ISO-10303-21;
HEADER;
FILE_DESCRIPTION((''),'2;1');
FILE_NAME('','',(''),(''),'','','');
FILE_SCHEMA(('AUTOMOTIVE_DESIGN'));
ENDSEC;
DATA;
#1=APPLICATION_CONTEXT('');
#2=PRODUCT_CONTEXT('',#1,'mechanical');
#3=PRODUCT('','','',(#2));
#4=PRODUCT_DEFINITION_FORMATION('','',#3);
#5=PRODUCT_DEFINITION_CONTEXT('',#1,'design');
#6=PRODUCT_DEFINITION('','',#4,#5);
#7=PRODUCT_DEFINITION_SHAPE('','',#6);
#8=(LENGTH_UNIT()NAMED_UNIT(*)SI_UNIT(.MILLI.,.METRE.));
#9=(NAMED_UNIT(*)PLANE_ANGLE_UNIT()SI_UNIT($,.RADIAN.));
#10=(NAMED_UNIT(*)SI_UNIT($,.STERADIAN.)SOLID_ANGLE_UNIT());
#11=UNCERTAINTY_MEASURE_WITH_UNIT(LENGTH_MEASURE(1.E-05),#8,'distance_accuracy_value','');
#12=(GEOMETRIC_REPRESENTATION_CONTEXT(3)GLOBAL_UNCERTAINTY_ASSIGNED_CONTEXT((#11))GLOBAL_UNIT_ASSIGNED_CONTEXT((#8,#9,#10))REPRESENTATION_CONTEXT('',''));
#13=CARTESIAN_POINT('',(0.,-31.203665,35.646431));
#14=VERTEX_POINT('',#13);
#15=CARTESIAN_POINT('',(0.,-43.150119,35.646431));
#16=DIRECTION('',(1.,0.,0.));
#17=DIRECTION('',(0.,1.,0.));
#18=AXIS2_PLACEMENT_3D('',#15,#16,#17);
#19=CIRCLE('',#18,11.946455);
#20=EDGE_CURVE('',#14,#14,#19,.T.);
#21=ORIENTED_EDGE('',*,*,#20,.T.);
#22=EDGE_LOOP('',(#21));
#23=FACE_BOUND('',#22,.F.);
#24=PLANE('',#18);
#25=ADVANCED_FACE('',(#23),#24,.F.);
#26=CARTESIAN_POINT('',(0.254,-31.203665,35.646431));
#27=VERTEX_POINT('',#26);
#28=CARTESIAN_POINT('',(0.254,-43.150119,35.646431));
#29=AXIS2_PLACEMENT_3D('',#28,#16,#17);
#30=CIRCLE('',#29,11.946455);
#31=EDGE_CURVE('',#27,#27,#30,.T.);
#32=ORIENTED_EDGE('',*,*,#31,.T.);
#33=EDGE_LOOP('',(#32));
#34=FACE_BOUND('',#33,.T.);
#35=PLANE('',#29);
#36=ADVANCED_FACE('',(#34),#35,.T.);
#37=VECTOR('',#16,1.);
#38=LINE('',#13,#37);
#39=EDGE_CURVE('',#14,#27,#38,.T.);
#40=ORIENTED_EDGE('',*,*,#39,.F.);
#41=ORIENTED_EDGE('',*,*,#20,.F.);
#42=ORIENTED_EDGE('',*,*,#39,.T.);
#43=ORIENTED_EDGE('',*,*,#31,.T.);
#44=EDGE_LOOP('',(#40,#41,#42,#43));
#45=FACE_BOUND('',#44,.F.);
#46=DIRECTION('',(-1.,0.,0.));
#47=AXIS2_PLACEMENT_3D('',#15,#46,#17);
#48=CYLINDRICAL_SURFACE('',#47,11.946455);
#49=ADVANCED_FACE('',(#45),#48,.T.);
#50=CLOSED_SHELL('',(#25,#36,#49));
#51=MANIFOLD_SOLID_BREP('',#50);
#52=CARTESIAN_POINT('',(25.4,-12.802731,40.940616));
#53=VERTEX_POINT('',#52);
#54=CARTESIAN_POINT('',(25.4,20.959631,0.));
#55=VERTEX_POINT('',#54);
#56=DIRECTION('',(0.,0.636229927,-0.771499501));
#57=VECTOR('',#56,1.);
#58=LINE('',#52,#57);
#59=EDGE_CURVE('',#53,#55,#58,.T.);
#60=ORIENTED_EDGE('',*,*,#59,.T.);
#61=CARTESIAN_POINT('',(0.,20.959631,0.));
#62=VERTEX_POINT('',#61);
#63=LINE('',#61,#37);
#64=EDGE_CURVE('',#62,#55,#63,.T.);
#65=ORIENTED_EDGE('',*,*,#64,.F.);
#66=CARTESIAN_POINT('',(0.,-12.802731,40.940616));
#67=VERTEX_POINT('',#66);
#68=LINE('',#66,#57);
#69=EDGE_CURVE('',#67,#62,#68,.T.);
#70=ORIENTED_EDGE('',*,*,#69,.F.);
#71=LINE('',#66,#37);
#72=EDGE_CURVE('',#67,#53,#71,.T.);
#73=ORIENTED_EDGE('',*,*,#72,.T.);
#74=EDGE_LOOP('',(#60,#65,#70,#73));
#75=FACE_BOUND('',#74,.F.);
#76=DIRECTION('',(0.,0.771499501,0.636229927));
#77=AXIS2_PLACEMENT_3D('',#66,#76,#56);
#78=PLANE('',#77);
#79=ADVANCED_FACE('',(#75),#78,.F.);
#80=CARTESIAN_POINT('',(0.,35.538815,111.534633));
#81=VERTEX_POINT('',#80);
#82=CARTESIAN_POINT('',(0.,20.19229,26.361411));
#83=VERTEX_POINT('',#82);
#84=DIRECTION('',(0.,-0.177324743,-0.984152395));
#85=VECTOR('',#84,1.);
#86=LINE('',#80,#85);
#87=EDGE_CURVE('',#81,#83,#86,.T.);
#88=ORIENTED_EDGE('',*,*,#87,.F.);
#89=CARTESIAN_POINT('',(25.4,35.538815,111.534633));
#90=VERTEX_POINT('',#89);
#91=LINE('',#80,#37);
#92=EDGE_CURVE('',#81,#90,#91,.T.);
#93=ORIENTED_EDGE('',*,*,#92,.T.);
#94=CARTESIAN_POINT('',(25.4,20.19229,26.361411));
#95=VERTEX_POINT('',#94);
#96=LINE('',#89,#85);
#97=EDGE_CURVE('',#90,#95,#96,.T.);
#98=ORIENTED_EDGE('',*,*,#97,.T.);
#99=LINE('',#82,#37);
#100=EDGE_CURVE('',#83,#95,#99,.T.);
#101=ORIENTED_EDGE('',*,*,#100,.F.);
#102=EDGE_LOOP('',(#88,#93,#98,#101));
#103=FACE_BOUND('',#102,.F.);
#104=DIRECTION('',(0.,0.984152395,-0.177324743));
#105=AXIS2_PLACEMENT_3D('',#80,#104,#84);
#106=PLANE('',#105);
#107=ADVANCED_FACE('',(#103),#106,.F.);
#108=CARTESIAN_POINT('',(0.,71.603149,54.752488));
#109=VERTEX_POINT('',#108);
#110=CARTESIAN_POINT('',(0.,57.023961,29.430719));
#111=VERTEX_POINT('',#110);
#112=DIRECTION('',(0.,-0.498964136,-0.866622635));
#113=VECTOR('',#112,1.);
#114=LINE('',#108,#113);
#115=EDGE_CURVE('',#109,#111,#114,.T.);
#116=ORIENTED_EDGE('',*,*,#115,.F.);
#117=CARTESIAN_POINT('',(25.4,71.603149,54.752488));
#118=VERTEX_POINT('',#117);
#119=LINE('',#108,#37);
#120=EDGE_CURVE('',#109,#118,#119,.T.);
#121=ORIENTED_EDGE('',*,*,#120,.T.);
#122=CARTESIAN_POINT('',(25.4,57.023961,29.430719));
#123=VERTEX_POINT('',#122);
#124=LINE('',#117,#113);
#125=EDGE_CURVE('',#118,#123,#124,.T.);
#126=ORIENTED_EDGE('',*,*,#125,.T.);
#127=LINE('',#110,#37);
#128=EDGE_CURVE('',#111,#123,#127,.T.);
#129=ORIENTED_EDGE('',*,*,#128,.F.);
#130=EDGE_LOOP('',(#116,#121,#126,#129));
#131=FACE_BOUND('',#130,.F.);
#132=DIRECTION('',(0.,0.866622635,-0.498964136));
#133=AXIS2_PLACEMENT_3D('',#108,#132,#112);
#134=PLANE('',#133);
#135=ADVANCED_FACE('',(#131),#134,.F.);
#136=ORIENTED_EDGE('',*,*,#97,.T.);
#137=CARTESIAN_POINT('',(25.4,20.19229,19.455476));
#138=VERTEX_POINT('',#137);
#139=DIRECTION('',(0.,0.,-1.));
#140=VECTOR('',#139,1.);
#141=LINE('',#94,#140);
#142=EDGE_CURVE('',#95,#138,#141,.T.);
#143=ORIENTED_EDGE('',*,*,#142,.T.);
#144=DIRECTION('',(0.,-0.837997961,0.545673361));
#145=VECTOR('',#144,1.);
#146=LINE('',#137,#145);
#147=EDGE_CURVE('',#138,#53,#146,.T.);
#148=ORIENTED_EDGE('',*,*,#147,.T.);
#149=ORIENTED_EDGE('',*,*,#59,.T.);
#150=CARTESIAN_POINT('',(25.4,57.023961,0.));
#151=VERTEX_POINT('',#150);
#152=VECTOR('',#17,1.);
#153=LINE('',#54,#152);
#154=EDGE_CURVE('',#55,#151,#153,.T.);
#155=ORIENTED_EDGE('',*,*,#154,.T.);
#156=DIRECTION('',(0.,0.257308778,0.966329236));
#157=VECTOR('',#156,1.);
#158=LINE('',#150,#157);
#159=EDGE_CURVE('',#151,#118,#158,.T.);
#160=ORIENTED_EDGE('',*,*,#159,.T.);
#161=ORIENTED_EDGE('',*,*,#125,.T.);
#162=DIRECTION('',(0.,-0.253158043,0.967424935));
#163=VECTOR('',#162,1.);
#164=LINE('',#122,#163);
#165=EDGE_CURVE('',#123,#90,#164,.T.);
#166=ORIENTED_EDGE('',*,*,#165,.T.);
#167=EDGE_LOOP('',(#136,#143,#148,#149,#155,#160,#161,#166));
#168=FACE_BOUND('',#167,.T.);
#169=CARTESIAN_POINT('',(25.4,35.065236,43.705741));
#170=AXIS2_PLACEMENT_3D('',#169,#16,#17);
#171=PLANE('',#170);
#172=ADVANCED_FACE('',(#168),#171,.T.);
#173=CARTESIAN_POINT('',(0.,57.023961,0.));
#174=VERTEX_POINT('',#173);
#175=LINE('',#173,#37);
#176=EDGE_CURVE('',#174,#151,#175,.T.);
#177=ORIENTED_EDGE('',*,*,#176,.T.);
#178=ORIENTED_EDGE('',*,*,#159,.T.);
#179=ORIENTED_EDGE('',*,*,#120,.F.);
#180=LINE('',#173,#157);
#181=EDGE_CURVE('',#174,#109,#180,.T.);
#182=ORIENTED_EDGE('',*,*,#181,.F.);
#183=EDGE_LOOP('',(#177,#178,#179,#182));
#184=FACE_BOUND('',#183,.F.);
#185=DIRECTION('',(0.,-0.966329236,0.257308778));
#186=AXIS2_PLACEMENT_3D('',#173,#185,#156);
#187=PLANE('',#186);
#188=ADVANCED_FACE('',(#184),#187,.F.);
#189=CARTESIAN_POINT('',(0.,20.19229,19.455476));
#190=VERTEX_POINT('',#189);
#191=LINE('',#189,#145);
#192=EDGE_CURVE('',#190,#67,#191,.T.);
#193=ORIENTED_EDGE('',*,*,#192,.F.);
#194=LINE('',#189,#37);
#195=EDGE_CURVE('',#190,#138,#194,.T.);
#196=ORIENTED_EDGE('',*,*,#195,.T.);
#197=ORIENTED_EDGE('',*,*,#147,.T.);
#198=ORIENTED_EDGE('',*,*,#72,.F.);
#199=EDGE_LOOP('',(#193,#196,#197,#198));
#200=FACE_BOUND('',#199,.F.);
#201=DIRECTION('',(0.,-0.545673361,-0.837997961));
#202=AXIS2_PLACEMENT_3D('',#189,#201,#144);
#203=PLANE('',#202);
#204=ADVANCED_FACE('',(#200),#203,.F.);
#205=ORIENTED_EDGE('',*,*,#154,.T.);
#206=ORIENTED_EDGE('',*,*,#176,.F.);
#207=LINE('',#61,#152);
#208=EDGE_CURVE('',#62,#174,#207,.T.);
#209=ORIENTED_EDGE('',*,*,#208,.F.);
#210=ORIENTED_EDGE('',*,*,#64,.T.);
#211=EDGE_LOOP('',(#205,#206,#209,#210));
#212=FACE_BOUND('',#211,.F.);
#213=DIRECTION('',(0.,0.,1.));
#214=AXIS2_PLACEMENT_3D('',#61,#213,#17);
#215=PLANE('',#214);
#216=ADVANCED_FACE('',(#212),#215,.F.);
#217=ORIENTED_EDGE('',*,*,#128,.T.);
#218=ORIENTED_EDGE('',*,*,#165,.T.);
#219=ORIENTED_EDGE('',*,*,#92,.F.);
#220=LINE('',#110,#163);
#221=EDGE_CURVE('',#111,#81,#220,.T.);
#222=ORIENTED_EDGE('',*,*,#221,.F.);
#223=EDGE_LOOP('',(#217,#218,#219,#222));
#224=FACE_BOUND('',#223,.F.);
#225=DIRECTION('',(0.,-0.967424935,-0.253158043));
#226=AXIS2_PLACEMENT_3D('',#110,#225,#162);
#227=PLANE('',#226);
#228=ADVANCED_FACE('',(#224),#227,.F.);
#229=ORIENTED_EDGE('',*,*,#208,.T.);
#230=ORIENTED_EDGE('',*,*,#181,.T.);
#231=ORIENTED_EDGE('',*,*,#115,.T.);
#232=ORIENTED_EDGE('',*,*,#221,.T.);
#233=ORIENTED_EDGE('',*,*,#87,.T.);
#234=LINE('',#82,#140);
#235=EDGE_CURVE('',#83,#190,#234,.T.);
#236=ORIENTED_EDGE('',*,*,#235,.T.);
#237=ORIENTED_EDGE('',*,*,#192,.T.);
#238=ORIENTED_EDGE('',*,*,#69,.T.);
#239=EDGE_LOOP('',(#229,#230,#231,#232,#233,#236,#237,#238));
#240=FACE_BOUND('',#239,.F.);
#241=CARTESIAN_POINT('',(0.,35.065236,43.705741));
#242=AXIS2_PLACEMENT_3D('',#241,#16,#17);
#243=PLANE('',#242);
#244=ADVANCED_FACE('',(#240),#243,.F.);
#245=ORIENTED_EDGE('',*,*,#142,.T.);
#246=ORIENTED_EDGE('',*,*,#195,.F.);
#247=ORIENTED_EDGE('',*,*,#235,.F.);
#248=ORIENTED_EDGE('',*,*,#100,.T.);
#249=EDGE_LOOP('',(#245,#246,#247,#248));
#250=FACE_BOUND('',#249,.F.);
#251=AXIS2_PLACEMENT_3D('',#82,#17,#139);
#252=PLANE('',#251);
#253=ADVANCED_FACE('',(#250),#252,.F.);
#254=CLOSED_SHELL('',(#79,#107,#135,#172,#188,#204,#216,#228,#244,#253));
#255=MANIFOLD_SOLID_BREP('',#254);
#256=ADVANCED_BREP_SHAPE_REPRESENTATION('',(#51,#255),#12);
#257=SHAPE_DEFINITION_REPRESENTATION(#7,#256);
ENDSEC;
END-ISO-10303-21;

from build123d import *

# Parameters (mm, degrees)
F0_R     = 14.0897496008
F1_DEPTH = 0.254
F3_R     = 11.9464548424
F4_DEPTH = 0.254
F6_DEPTH = 25.4


with BuildPart() as f1:
    # F0 (on Right) → F1 (new body)
    with BuildSketch(Plane.YZ):
        with Locations((-60.5094321072, 38.5479815304)):
            Circle(F0_R)
    extrude(amount=F1_DEPTH)


with BuildPart() as f4:
    # F3 (on Right) → F4 (new body)
    with BuildSketch(Plane.YZ):
        with Locations((-43.1501194835, 35.6464311481)):
            Circle(F3_R)
    extrude(amount=F4_DEPTH)


with BuildPart() as f6:
    # F5 (on Right) → F6 (new body)
    with BuildSketch(Plane.YZ):
        Polygon((35.5388149619, 111.5346327424), (20.1922897249, 26.3614114374), (20.1922897249, 19.4554757327), (-12.8027312458, 40.9406162798), (20.9596306086, 0), (57.023961097, 0), (71.6031491756, 54.7524876893), (57.023961097, 29.4307190925), align=None)
    extrude(amount=F6_DEPTH)


solid = Compound([f4.part, f6.part])
